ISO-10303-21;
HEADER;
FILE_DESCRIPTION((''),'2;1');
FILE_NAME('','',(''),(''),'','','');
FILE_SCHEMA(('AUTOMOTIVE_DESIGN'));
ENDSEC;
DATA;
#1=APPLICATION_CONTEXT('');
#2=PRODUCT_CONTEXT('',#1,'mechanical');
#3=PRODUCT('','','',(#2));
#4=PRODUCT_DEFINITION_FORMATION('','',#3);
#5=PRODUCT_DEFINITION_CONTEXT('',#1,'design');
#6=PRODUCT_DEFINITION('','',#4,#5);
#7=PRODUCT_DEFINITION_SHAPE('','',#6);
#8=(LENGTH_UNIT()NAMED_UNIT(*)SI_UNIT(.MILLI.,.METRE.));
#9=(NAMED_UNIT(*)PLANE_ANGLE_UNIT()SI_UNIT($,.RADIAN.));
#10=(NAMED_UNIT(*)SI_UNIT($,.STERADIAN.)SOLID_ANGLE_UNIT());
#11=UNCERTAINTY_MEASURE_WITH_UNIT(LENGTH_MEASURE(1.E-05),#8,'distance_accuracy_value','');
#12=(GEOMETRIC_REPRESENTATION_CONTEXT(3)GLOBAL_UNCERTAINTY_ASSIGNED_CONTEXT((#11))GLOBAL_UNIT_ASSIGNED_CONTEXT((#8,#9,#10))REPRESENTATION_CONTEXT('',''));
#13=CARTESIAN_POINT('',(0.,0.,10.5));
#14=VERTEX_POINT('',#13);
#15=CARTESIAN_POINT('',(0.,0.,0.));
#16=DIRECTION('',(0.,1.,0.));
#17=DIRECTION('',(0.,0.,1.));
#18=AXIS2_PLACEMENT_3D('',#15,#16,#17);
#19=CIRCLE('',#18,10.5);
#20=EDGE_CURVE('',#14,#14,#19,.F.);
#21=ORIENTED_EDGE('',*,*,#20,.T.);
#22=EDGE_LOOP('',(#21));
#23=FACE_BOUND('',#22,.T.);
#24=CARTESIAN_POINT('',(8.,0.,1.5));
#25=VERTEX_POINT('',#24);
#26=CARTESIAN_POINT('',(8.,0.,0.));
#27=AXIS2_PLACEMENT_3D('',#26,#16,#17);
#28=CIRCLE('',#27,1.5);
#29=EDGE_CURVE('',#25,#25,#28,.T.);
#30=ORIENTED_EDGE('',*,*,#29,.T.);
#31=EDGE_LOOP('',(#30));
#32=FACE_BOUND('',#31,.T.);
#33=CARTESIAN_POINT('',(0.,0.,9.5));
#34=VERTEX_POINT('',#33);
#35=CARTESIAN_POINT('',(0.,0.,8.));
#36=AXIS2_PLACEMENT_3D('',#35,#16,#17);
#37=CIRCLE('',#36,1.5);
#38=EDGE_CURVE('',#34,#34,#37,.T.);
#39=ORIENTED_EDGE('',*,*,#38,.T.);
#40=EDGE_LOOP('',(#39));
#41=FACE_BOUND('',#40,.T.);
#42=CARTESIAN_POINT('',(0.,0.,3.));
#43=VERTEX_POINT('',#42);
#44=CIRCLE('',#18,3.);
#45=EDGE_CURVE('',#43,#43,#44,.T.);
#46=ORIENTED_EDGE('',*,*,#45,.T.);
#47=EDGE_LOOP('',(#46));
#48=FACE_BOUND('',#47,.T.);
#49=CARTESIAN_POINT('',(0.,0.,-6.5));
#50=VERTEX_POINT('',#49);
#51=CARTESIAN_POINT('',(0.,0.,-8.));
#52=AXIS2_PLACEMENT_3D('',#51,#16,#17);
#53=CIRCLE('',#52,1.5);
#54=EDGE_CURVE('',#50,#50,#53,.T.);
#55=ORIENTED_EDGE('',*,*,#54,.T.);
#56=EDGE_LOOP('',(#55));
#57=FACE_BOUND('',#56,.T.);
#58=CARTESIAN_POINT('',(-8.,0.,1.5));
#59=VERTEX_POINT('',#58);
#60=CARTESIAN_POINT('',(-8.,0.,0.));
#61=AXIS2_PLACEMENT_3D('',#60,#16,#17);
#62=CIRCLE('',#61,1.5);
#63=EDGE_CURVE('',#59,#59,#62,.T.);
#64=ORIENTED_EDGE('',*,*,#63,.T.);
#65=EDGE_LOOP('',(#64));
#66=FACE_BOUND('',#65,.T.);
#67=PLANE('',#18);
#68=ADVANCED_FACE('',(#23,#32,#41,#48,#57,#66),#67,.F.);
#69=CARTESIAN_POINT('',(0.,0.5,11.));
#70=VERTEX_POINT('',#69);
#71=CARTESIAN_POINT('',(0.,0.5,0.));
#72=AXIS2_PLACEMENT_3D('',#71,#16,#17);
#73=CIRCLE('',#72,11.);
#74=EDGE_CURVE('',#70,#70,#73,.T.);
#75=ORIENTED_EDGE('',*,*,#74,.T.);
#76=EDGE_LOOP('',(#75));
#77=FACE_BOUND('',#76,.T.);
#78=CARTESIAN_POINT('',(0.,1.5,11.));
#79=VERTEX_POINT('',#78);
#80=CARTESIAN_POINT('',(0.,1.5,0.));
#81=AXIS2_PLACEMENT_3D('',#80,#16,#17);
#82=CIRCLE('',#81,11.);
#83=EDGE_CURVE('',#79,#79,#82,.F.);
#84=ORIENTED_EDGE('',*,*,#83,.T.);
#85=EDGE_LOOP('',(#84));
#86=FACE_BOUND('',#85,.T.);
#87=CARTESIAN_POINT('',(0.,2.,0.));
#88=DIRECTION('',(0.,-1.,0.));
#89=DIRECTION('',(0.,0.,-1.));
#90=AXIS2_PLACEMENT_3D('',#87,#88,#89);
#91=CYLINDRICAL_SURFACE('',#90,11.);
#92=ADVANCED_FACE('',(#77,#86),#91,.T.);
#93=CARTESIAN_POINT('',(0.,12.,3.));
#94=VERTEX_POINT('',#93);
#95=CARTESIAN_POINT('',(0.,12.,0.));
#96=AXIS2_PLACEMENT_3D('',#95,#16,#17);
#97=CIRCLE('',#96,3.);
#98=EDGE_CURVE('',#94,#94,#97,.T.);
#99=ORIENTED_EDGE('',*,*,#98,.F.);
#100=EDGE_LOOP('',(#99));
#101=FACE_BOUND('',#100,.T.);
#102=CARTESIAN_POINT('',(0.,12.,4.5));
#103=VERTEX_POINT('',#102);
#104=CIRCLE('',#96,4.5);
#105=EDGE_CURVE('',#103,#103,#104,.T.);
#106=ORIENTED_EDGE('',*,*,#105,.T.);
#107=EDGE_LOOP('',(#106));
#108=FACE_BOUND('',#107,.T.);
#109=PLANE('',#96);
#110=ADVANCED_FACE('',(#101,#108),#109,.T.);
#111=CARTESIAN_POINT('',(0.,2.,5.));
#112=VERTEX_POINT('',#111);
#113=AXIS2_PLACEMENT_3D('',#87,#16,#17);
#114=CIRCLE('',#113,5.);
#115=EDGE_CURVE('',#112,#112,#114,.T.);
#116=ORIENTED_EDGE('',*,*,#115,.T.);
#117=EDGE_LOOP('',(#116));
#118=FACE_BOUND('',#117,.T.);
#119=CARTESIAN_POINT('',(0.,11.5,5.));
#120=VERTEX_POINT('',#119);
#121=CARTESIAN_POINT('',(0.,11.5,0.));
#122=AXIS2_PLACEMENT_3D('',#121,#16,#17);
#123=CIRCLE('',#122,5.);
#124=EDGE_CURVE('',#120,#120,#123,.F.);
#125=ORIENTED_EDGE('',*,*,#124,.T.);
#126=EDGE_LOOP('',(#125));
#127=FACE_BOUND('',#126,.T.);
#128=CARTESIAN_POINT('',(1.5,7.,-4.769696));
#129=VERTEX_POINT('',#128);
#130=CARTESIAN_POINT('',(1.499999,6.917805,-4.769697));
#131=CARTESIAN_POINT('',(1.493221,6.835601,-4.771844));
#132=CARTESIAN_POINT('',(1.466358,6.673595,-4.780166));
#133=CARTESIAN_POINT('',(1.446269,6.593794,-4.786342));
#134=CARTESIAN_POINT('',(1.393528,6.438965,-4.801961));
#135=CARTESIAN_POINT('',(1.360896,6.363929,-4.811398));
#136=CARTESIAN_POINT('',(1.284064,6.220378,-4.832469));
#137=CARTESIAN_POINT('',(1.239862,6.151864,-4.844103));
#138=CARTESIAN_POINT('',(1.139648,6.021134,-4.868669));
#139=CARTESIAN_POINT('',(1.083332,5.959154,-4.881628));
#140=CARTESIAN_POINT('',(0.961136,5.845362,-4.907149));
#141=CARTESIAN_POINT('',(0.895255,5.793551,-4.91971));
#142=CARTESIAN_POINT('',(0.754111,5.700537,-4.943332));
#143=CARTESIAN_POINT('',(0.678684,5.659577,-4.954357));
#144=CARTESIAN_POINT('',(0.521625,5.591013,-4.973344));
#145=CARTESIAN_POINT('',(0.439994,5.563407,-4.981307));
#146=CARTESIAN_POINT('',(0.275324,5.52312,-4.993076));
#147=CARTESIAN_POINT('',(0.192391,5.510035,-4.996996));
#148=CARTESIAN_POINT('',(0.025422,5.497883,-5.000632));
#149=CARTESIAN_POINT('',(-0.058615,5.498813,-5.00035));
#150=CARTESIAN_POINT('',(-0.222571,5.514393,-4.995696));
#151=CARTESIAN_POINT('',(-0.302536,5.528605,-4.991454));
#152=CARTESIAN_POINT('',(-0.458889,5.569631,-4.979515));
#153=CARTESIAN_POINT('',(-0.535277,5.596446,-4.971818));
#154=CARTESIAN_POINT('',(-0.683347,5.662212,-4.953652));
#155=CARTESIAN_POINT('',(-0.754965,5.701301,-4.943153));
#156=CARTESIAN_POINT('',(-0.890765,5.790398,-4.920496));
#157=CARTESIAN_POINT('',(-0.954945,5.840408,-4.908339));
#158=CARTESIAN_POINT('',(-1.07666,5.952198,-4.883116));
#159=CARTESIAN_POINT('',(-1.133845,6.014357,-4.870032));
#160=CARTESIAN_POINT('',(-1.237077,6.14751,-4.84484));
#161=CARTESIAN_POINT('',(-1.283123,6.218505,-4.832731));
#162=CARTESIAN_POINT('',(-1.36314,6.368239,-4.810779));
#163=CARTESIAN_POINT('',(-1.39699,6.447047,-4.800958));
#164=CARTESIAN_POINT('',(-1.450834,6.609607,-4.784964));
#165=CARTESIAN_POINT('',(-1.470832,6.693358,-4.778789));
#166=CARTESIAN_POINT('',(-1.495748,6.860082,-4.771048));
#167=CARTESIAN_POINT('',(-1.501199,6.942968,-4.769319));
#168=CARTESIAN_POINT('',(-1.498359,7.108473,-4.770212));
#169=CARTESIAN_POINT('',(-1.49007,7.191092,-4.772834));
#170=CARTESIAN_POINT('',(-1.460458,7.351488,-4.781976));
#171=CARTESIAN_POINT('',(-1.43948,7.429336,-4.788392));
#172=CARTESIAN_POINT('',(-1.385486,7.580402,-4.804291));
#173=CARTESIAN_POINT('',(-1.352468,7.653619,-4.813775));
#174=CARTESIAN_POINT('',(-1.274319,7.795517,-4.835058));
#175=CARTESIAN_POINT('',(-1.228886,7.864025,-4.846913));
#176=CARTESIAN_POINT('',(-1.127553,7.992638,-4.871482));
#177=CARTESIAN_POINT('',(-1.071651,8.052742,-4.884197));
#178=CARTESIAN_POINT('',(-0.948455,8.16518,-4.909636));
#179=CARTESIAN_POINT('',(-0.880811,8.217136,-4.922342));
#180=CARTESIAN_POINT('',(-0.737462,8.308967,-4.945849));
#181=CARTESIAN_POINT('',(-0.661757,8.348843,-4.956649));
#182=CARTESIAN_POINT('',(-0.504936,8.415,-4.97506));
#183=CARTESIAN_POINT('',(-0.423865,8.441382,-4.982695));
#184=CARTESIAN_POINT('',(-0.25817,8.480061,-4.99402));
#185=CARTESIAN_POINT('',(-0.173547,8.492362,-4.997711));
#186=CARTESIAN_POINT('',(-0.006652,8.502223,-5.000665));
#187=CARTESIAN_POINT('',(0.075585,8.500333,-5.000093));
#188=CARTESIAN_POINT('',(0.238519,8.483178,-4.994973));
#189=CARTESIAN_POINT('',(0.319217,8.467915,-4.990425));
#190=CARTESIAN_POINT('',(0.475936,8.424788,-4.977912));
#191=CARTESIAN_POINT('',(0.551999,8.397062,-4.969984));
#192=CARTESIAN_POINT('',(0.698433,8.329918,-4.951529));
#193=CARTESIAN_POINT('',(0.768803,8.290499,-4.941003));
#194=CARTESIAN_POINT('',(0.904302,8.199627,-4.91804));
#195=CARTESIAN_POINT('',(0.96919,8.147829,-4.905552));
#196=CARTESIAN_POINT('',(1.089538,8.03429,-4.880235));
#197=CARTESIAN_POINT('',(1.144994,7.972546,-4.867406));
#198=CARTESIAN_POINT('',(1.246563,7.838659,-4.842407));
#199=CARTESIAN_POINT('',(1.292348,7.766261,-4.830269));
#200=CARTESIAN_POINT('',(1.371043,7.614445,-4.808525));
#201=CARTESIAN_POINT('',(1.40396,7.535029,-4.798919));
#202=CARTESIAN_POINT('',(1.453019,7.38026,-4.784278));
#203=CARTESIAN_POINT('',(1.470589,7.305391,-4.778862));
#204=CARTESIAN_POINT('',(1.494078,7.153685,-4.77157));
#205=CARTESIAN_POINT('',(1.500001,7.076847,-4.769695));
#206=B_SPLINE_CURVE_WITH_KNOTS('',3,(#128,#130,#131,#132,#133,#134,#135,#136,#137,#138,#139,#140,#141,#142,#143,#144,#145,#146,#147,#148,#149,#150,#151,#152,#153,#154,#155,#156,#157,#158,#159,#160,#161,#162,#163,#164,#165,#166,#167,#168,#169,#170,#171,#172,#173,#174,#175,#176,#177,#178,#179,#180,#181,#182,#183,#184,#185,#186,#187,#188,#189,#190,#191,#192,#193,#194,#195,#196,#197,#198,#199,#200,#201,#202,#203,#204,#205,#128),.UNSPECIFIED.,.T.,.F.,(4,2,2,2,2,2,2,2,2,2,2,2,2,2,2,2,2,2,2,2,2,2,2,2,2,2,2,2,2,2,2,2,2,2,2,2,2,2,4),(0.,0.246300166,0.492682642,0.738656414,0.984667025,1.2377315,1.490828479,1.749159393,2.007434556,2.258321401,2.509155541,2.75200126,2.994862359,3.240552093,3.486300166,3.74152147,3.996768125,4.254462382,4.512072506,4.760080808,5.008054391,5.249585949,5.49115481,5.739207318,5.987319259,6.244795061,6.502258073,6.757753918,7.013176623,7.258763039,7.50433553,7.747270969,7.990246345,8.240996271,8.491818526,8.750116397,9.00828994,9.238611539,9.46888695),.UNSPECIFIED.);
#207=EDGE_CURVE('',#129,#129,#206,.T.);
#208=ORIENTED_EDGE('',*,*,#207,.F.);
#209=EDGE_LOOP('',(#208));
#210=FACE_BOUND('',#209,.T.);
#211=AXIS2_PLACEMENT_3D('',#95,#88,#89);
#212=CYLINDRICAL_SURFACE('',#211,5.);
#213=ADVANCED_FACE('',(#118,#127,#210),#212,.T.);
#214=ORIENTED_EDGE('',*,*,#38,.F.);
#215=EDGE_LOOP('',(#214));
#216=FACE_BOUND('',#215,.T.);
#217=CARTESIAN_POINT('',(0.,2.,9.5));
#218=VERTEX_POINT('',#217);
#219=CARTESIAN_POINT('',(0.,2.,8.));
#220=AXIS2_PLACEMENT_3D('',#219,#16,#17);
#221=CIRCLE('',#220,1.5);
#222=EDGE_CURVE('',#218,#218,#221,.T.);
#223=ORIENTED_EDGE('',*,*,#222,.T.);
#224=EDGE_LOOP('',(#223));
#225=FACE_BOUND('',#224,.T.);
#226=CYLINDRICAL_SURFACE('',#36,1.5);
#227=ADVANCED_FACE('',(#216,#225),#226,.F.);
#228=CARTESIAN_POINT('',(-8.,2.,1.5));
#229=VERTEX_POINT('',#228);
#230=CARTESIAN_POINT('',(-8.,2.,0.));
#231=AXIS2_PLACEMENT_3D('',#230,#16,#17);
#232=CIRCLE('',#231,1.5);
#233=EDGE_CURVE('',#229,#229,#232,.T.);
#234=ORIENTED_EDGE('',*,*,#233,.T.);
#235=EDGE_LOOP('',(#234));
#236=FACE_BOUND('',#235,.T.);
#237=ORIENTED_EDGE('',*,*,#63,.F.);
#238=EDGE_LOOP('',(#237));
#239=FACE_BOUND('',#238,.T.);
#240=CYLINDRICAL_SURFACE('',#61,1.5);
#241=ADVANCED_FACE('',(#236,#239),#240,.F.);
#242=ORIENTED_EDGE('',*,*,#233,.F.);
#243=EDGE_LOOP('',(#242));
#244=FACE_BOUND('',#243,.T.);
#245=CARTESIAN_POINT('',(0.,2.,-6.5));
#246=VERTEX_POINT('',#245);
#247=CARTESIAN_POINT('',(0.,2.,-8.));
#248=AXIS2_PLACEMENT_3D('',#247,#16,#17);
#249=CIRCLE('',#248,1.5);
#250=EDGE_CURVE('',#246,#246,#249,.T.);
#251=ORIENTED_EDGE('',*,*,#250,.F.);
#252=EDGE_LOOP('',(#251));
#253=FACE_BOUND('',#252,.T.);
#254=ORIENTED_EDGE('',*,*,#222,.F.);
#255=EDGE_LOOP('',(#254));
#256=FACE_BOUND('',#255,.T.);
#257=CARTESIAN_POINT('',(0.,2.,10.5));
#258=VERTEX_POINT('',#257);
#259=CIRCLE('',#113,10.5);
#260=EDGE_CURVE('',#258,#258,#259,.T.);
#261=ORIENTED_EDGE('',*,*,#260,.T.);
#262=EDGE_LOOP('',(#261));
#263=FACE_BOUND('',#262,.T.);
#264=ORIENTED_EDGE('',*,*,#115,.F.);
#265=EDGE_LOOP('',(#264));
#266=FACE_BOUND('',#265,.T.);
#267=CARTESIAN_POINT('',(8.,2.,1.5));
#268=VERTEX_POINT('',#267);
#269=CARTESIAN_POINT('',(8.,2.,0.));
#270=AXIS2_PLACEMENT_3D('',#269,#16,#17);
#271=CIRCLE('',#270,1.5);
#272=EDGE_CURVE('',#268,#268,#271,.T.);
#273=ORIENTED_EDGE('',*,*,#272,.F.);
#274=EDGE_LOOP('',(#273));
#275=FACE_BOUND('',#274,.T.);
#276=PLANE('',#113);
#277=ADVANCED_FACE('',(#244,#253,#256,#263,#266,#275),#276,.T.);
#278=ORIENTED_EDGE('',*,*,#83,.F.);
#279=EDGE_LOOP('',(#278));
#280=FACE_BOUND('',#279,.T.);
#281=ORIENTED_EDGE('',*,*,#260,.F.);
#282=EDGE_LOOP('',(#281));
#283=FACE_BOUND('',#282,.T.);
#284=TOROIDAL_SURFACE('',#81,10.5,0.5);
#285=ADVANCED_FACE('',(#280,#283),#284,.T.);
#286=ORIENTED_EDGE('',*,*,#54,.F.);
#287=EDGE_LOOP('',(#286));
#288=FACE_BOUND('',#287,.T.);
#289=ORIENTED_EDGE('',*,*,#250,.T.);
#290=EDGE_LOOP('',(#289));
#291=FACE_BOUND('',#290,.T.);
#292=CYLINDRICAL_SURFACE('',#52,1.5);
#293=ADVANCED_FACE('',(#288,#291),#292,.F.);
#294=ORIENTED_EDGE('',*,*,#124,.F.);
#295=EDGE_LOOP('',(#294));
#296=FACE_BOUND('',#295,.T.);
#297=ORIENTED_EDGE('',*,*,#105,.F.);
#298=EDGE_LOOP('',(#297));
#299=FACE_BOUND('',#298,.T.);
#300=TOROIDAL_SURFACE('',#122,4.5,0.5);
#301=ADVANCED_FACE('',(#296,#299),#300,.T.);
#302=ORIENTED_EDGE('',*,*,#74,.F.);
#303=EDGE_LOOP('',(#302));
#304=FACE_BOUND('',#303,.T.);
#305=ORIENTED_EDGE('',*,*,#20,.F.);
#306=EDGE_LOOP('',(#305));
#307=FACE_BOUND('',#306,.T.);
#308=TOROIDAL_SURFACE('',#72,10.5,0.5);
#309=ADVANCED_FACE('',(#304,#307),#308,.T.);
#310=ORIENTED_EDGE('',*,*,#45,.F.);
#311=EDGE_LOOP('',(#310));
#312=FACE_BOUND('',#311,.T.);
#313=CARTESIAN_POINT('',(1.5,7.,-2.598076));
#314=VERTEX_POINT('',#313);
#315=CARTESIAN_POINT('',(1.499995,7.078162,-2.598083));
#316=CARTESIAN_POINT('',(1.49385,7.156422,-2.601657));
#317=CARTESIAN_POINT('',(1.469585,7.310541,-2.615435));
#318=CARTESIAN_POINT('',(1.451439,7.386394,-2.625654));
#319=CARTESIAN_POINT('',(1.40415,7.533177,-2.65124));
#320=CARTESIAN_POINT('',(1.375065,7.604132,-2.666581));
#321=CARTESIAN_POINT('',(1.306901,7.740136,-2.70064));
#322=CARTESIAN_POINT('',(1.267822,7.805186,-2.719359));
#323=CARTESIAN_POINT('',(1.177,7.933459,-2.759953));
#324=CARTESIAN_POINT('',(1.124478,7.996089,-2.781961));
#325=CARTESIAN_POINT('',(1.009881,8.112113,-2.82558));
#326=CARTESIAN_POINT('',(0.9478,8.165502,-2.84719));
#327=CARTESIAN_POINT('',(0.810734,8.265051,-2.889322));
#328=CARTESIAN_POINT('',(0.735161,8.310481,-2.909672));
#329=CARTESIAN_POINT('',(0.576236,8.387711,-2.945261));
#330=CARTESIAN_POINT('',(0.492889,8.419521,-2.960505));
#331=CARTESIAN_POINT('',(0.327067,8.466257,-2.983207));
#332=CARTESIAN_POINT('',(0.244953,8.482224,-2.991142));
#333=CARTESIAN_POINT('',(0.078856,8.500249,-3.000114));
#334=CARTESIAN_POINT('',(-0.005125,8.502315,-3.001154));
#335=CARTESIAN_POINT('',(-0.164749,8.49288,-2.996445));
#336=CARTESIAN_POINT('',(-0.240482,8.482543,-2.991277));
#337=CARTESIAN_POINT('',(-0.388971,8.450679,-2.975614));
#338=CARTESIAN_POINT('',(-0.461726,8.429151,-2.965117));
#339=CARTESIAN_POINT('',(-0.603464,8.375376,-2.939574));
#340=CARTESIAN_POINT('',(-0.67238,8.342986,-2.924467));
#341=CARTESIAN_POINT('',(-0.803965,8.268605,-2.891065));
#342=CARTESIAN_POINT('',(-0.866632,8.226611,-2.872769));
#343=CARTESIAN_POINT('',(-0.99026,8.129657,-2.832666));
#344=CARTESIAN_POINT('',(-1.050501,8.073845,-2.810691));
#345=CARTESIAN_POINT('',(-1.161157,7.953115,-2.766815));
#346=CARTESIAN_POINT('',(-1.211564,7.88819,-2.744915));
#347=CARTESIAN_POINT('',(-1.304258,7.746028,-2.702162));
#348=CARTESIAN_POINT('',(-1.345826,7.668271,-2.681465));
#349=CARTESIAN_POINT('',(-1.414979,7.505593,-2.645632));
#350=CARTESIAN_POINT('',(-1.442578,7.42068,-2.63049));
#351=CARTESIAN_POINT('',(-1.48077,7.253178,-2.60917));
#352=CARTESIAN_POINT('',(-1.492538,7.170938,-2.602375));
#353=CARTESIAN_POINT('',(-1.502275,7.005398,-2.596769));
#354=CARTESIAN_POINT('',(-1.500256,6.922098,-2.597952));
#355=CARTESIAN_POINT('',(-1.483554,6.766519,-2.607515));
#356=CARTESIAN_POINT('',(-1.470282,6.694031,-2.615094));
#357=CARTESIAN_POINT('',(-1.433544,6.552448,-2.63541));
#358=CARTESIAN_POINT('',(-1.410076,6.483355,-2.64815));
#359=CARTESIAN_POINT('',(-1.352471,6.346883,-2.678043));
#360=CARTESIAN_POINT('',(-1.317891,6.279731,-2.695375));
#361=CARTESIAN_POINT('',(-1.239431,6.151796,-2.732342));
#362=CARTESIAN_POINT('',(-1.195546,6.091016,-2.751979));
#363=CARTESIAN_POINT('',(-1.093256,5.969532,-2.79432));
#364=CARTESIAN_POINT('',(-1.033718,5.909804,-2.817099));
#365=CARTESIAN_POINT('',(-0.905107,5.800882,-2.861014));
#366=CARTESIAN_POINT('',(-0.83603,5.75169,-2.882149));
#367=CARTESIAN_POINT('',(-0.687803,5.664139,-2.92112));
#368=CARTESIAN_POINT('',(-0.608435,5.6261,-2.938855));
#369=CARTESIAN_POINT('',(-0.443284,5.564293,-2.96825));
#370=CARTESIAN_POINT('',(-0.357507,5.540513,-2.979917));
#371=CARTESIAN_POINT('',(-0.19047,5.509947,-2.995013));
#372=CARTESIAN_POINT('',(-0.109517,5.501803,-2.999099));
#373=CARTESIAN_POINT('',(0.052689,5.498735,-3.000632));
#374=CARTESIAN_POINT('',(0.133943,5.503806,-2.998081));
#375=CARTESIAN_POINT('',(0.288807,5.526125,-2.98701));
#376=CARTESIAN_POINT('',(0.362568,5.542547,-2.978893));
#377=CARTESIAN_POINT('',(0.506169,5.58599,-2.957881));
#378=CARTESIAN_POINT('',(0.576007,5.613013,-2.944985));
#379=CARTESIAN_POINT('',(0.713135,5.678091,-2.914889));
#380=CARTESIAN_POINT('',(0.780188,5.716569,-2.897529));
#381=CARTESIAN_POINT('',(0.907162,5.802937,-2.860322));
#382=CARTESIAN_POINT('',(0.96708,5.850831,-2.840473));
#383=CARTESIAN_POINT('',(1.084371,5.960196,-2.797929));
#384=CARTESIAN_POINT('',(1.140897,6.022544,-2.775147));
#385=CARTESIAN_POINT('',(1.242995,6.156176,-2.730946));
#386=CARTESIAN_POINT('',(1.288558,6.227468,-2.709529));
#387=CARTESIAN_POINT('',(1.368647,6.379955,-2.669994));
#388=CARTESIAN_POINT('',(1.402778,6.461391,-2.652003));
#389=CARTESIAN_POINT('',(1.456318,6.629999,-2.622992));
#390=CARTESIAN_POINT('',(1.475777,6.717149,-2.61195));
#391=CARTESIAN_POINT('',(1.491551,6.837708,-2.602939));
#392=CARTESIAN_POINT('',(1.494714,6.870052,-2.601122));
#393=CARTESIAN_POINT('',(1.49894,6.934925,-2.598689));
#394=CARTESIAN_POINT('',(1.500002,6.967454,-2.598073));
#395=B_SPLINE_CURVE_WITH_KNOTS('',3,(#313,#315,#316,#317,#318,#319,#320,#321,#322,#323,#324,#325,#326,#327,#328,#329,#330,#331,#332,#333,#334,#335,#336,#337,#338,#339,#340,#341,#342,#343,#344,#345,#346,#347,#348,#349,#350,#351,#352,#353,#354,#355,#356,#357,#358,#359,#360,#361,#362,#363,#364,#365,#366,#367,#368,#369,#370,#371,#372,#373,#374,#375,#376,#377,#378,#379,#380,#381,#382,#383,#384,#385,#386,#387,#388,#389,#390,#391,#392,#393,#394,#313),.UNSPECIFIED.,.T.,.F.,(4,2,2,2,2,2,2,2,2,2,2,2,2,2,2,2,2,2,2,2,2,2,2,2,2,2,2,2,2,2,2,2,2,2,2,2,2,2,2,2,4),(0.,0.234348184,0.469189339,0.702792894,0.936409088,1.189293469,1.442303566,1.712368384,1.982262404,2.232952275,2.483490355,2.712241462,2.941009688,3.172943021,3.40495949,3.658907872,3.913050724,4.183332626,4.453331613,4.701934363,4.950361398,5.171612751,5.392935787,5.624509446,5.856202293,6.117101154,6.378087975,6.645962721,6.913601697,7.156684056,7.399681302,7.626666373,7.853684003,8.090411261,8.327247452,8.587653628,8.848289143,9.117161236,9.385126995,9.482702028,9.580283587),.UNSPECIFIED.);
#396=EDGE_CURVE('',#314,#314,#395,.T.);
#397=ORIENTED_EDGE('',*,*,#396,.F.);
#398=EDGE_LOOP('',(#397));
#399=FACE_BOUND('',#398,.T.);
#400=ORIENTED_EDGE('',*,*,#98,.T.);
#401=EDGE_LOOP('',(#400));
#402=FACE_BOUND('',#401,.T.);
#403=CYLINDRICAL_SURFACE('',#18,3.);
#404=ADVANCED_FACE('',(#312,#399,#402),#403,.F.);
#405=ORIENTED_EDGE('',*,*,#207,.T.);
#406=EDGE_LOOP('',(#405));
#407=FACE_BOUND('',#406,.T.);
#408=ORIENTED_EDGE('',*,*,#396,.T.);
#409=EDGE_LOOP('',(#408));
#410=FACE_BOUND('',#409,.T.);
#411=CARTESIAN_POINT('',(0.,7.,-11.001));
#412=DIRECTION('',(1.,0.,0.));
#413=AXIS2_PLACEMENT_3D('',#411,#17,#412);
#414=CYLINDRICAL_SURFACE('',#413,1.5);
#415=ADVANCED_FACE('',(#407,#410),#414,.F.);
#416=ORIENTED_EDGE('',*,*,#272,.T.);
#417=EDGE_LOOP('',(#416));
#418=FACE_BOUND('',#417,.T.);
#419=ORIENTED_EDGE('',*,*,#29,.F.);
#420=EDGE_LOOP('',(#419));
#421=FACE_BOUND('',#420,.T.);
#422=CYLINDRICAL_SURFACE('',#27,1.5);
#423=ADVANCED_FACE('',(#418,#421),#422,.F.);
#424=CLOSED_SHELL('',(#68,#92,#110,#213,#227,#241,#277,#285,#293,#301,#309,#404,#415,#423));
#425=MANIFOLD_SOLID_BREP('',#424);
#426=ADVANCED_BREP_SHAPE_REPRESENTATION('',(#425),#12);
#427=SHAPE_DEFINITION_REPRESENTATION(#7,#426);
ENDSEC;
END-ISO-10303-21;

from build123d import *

# Parameters (mm, degrees)
SKETCH_1_R               = 11
EXTRUDE_1_DEPTH          = 2
SKETCH_2_R               = 1.5
CUT_EXTRUDE_1_DEPTH      = 2
SKETCH_3_R               = 5
EXTRUDE_2_DEPTH          = 10
SKETCH_4_R               = 3
CUT_EXTRUDE_2_DEPTH      = 12
FILLET_1_R               = 0.5
CUT_EXTRUDE_3_REACH      = 21.647
CUT_EXTRUDE_3_END_RADIUS = 5
SKETCH_5_R               = 1.5


with BuildPart() as part:
    # 草图1 → 凸台-拉伸1 (new body)
    with BuildSketch(Plane(origin=(0, 0, 0), x_dir=(1, 0, 0), z_dir=(0, 1, 0))):
        with Locations(Location((0, 0, 0), (0, 0, 270))):
            Circle(SKETCH_1_R)
    extrude(amount=EXTRUDE_1_DEPTH)

    # 草图2 → 切除-拉伸1 (cut)
    with BuildSketch(Plane(origin=(0, 2, 0), x_dir=(1, 0, 0), z_dir=(0, 1, 0))):
        with Locations(Location((0, 8, 0), (0, 0, 270))):
            Circle(SKETCH_2_R)
        with Locations(Location((8, 0, 0), (0, 0, 270))):
            Circle(SKETCH_2_R)
        with Locations(Location((0, -8, 0), (0, 0, 270))):
            Circle(SKETCH_2_R)
        with Locations(Location((-8, 0, 0), (0, 0, 270))):
            Circle(SKETCH_2_R)
    extrude(amount=-CUT_EXTRUDE_1_DEPTH, mode=Mode.SUBTRACT)

    # 草图3 → 凸台-拉伸2 (add)
    with BuildSketch(Plane(origin=(0, 2, 0), x_dir=(1, 0, 0), z_dir=(0, 1, 0))):
        with Locations(Location((0, 0, 0), (0, 0, 270))):
            Circle(SKETCH_3_R)
    extrude(amount=EXTRUDE_2_DEPTH)

    # 草图4 → 切除-拉伸2 (cut)
    with BuildSketch(Plane(origin=(0, 12, 0), x_dir=(1, 0, 0), z_dir=(0, 1, 0))):
        with Locations(Location((0, 0, 0), (0, 0, 270))):
            Circle(SKETCH_4_R)
    extrude(amount=-CUT_EXTRUDE_2_DEPTH, mode=Mode.SUBTRACT)

    # 圆角1
    fillet_1_edges = [part.edges().sort_by_distance(p)[0] for p in [
        (0, 0, -11),
        (0, 12, -5),
        (0, 2, -11),
    ]]
    fillet(fillet_1_edges, radius=FILLET_1_R)

    # 切除-拉伸3: up to this cylinder (the profile starts inside it)
    cut_extrude_3_end = Plane(origin=(0, 7, 0), z_dir=(0, -1, 0)) * Cylinder(CUT_EXTRUDE_3_END_RADIUS, 54.294, mode=Mode.PRIVATE)
    # 草图5 → 切除-拉伸3 (cut, up to the surface)
    with BuildSketch(Plane.XY, mode=Mode.PRIVATE) as cut_extrude_3_sk1:
        with Locations((0, 7)):
            Circle(SKETCH_5_R)
    cut_extrude_3_tool1 = extrude(cut_extrude_3_sk1.sketch, amount=-CUT_EXTRUDE_3_REACH, mode=Mode.PRIVATE) & cut_extrude_3_end
    add(cut_extrude_3_tool1.solids().sort_by_distance((0, 7, 0))[0], mode=Mode.SUBTRACT)


solid = part.part
